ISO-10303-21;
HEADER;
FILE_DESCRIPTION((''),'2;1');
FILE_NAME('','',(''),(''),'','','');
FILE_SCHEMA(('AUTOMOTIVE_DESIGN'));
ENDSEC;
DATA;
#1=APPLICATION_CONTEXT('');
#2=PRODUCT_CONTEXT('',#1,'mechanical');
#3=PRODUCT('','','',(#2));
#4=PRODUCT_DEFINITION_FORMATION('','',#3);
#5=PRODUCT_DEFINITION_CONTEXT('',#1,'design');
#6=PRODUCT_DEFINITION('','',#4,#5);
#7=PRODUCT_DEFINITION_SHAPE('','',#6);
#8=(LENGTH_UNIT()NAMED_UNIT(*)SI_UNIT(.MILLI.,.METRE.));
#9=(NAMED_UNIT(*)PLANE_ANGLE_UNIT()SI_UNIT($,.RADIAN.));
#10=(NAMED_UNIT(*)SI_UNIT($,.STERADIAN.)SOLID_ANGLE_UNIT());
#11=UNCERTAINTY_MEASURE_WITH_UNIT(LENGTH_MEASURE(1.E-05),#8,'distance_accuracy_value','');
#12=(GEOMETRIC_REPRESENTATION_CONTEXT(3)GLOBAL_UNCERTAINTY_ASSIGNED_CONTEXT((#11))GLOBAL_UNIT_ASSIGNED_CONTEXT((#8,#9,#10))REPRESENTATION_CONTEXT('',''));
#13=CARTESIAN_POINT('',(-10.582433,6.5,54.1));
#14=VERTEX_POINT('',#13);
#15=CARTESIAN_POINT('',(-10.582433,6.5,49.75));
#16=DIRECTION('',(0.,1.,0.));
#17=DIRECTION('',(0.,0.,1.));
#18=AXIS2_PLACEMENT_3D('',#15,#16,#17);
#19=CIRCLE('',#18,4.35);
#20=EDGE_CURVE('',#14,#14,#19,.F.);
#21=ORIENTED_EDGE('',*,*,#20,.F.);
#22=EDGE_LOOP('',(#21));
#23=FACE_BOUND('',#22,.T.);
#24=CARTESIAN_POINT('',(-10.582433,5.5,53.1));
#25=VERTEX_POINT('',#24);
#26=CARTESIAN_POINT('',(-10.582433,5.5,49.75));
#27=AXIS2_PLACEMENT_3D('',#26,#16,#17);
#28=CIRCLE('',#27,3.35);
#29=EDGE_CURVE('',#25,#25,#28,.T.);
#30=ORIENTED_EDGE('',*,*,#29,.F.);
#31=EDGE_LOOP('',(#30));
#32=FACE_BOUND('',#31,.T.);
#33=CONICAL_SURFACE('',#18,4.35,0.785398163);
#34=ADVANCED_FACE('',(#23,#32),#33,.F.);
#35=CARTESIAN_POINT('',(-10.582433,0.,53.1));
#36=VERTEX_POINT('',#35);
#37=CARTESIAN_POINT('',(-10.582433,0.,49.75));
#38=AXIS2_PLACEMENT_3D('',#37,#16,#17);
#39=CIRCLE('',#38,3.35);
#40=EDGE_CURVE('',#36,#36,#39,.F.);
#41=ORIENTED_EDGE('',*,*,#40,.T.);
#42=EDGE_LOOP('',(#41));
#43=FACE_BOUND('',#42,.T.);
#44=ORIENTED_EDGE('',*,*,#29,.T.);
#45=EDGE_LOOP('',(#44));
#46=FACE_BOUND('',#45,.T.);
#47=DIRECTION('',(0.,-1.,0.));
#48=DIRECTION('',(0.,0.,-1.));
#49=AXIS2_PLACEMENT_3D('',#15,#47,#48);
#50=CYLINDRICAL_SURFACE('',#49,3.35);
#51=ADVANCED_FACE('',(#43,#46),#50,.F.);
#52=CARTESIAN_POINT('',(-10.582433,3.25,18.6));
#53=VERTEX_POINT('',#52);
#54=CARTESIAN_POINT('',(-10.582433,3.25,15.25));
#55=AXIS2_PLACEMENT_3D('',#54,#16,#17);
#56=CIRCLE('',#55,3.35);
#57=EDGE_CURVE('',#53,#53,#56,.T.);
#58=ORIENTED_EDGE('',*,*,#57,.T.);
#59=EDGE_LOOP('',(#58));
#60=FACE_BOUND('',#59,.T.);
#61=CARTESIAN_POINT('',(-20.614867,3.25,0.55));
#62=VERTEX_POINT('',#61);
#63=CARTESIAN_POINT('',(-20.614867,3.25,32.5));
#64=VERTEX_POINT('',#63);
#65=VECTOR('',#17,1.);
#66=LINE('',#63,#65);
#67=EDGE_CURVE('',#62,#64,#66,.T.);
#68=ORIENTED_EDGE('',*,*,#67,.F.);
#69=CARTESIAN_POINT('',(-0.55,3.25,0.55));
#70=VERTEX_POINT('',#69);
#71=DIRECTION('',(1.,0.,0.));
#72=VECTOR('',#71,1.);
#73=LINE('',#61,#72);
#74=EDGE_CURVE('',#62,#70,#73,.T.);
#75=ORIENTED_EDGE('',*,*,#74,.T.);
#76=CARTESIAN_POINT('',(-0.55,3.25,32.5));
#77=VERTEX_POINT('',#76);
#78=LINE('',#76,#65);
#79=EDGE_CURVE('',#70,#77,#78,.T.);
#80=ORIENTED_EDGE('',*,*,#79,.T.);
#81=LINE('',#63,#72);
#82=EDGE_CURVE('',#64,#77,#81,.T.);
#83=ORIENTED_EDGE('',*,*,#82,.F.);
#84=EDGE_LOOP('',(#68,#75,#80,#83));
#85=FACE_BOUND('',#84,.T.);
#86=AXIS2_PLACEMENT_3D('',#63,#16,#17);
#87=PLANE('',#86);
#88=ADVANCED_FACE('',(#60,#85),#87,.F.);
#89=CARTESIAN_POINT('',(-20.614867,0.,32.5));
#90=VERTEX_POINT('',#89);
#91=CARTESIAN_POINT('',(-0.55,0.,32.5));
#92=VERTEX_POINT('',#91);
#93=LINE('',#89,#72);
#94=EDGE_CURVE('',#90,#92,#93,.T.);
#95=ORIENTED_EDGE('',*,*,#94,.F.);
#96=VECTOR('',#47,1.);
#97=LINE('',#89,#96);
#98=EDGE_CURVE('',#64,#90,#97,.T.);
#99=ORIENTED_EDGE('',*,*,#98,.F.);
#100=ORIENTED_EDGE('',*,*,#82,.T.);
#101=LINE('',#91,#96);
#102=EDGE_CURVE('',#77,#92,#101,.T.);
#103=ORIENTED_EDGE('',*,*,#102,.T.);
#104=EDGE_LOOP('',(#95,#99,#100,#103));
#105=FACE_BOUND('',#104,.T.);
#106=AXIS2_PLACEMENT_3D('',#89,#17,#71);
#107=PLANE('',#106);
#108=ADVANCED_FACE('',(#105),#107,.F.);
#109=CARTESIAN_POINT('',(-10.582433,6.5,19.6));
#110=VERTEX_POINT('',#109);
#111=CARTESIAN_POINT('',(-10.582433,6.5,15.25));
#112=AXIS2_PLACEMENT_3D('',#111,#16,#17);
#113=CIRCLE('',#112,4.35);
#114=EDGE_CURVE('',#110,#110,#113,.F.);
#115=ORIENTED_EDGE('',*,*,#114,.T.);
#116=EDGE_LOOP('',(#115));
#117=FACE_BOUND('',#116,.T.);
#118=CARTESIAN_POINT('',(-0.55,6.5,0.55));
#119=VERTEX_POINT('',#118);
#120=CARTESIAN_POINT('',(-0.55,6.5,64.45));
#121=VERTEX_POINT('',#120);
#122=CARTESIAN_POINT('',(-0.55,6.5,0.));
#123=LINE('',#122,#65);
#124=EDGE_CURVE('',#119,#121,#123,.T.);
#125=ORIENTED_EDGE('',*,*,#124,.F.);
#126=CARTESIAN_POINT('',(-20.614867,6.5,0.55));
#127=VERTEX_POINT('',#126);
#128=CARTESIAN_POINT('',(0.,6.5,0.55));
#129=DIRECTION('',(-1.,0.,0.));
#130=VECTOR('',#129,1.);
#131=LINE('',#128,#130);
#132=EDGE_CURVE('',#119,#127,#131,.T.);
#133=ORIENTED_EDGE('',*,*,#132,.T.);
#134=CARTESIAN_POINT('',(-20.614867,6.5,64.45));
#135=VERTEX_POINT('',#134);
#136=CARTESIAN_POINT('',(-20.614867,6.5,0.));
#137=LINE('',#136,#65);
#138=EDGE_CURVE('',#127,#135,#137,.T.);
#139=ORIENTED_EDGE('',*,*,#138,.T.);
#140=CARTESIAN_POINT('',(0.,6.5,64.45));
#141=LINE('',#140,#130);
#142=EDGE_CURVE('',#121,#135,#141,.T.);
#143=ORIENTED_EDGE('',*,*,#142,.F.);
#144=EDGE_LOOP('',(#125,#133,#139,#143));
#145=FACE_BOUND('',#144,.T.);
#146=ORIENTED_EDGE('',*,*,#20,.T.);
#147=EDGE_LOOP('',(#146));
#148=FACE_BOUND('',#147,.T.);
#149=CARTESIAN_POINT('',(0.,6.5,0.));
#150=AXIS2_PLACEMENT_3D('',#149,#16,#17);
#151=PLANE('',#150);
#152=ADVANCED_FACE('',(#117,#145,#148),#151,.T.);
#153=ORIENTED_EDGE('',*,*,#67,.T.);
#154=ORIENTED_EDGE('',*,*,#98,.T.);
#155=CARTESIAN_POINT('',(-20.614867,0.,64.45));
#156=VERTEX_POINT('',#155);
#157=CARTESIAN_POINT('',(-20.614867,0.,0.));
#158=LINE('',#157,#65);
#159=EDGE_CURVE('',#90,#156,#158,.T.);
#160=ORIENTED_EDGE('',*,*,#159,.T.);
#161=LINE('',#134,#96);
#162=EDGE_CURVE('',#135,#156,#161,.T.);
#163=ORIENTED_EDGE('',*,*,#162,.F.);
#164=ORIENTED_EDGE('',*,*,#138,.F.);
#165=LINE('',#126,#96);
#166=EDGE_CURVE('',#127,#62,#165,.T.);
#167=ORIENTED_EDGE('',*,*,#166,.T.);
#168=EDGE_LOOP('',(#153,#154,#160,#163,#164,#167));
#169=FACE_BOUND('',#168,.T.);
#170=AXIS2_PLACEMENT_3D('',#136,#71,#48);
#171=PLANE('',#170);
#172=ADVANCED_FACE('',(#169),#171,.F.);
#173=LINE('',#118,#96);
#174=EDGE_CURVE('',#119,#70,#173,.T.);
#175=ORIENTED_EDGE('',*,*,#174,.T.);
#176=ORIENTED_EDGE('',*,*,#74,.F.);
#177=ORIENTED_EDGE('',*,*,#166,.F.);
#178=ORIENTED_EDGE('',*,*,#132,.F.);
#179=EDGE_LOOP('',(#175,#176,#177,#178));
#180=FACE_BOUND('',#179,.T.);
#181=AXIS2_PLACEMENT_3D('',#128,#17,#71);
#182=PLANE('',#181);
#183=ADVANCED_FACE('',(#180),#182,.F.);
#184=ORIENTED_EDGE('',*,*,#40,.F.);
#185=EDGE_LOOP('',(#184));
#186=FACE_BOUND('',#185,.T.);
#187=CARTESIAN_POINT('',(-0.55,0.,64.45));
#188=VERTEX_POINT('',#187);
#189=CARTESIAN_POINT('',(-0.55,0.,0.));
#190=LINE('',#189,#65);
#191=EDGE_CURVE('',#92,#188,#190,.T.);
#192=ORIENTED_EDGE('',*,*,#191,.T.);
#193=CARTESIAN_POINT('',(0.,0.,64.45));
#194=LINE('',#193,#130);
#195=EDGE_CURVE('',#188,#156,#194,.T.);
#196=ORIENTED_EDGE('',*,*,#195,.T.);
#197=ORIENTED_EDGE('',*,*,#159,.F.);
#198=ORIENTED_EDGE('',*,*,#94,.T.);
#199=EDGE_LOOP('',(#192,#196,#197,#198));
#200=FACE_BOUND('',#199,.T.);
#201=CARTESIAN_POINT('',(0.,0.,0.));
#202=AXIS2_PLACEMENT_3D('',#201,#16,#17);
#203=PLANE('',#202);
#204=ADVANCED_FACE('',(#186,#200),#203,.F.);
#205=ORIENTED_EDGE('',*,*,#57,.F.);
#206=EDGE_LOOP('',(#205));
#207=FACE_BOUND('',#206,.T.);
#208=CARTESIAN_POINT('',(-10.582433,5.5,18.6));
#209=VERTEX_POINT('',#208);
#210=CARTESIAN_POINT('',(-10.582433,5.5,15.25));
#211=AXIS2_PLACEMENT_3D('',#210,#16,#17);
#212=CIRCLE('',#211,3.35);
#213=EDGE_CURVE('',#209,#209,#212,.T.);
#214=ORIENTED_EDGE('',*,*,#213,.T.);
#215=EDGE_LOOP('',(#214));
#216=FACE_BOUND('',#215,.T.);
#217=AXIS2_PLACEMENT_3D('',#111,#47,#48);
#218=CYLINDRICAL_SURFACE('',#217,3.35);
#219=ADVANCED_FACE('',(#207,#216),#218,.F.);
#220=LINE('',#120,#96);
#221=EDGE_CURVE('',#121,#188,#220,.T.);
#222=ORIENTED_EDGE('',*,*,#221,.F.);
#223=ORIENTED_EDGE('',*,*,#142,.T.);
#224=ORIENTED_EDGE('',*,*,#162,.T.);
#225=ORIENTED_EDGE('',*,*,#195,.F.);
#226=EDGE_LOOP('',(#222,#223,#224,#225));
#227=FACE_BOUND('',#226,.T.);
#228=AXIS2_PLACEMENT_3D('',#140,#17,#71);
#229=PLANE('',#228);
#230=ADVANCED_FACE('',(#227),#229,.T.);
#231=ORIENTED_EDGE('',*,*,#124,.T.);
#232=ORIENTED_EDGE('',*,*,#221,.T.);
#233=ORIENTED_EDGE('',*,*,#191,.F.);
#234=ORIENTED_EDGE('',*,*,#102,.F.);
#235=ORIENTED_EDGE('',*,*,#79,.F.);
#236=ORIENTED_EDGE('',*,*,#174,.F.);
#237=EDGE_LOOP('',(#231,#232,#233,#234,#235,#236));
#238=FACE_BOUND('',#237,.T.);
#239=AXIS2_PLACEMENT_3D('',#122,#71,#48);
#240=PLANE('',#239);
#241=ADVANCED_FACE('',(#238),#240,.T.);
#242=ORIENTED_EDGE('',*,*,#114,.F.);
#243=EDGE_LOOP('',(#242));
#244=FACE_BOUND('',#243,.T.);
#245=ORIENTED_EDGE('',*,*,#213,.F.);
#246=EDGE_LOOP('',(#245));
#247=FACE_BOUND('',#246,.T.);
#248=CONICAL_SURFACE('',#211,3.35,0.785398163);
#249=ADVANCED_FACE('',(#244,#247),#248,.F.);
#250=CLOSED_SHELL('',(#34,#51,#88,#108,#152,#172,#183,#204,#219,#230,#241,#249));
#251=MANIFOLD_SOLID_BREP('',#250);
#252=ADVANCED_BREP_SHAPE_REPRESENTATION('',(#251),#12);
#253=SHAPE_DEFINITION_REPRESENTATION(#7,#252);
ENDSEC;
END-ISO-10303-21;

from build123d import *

# Parameters (mm, degrees)
SKETCH1_W           = 20.06486665
SKETCH1_H           = 63.9
SKETCH1_R           = 3.35
BOSS_EXTRUDE1_DEPTH = 6.5
CHAMFER1_SIZE       = 1
SKETCH2_W           = 31.95
SKETCH2_H           = 3.25
CUT_EXTRUDE1_DEPTH  = 21.06486665


with BuildPart() as part:
    # Sketch1 → Boss-Extrude1 (new body)
    with BuildSketch(Plane(origin=(0, 0, 0), x_dir=(1, 0, 0), z_dir=(0, 1, 0))):
        with Locations((-10.582433325, -32.5)):
            Rectangle(SKETCH1_W, SKETCH1_H)
        with Locations((-10.582433325, -15.25)):
            Circle(SKETCH1_R, mode=Mode.SUBTRACT)
        with Locations((-10.582433325, -49.75)):
            Circle(SKETCH1_R, mode=Mode.SUBTRACT)
    extrude(amount=BOSS_EXTRUDE1_DEPTH)

    # Chamfer1
    chamfer1_edges = [part.edges().sort_by_distance(p)[0] for p in [
        (-13.932433325, 6.5, 15.25),
        (-13.932433325, 6.5, 49.75),
    ]]
    chamfer(chamfer1_edges, length=CHAMFER1_SIZE)

    # Sketch2 → Cut-Extrude1 (cut, through all)
    with BuildSketch(Plane(origin=(-0.55, 0, 0), x_dir=(0, 0, -1), z_dir=(1, 0, 0))):
        with Locations((-16.525, 1.625)):
            Rectangle(SKETCH2_W, SKETCH2_H)
    extrude(amount=-CUT_EXTRUDE1_DEPTH, mode=Mode.SUBTRACT)


solid = part.part
